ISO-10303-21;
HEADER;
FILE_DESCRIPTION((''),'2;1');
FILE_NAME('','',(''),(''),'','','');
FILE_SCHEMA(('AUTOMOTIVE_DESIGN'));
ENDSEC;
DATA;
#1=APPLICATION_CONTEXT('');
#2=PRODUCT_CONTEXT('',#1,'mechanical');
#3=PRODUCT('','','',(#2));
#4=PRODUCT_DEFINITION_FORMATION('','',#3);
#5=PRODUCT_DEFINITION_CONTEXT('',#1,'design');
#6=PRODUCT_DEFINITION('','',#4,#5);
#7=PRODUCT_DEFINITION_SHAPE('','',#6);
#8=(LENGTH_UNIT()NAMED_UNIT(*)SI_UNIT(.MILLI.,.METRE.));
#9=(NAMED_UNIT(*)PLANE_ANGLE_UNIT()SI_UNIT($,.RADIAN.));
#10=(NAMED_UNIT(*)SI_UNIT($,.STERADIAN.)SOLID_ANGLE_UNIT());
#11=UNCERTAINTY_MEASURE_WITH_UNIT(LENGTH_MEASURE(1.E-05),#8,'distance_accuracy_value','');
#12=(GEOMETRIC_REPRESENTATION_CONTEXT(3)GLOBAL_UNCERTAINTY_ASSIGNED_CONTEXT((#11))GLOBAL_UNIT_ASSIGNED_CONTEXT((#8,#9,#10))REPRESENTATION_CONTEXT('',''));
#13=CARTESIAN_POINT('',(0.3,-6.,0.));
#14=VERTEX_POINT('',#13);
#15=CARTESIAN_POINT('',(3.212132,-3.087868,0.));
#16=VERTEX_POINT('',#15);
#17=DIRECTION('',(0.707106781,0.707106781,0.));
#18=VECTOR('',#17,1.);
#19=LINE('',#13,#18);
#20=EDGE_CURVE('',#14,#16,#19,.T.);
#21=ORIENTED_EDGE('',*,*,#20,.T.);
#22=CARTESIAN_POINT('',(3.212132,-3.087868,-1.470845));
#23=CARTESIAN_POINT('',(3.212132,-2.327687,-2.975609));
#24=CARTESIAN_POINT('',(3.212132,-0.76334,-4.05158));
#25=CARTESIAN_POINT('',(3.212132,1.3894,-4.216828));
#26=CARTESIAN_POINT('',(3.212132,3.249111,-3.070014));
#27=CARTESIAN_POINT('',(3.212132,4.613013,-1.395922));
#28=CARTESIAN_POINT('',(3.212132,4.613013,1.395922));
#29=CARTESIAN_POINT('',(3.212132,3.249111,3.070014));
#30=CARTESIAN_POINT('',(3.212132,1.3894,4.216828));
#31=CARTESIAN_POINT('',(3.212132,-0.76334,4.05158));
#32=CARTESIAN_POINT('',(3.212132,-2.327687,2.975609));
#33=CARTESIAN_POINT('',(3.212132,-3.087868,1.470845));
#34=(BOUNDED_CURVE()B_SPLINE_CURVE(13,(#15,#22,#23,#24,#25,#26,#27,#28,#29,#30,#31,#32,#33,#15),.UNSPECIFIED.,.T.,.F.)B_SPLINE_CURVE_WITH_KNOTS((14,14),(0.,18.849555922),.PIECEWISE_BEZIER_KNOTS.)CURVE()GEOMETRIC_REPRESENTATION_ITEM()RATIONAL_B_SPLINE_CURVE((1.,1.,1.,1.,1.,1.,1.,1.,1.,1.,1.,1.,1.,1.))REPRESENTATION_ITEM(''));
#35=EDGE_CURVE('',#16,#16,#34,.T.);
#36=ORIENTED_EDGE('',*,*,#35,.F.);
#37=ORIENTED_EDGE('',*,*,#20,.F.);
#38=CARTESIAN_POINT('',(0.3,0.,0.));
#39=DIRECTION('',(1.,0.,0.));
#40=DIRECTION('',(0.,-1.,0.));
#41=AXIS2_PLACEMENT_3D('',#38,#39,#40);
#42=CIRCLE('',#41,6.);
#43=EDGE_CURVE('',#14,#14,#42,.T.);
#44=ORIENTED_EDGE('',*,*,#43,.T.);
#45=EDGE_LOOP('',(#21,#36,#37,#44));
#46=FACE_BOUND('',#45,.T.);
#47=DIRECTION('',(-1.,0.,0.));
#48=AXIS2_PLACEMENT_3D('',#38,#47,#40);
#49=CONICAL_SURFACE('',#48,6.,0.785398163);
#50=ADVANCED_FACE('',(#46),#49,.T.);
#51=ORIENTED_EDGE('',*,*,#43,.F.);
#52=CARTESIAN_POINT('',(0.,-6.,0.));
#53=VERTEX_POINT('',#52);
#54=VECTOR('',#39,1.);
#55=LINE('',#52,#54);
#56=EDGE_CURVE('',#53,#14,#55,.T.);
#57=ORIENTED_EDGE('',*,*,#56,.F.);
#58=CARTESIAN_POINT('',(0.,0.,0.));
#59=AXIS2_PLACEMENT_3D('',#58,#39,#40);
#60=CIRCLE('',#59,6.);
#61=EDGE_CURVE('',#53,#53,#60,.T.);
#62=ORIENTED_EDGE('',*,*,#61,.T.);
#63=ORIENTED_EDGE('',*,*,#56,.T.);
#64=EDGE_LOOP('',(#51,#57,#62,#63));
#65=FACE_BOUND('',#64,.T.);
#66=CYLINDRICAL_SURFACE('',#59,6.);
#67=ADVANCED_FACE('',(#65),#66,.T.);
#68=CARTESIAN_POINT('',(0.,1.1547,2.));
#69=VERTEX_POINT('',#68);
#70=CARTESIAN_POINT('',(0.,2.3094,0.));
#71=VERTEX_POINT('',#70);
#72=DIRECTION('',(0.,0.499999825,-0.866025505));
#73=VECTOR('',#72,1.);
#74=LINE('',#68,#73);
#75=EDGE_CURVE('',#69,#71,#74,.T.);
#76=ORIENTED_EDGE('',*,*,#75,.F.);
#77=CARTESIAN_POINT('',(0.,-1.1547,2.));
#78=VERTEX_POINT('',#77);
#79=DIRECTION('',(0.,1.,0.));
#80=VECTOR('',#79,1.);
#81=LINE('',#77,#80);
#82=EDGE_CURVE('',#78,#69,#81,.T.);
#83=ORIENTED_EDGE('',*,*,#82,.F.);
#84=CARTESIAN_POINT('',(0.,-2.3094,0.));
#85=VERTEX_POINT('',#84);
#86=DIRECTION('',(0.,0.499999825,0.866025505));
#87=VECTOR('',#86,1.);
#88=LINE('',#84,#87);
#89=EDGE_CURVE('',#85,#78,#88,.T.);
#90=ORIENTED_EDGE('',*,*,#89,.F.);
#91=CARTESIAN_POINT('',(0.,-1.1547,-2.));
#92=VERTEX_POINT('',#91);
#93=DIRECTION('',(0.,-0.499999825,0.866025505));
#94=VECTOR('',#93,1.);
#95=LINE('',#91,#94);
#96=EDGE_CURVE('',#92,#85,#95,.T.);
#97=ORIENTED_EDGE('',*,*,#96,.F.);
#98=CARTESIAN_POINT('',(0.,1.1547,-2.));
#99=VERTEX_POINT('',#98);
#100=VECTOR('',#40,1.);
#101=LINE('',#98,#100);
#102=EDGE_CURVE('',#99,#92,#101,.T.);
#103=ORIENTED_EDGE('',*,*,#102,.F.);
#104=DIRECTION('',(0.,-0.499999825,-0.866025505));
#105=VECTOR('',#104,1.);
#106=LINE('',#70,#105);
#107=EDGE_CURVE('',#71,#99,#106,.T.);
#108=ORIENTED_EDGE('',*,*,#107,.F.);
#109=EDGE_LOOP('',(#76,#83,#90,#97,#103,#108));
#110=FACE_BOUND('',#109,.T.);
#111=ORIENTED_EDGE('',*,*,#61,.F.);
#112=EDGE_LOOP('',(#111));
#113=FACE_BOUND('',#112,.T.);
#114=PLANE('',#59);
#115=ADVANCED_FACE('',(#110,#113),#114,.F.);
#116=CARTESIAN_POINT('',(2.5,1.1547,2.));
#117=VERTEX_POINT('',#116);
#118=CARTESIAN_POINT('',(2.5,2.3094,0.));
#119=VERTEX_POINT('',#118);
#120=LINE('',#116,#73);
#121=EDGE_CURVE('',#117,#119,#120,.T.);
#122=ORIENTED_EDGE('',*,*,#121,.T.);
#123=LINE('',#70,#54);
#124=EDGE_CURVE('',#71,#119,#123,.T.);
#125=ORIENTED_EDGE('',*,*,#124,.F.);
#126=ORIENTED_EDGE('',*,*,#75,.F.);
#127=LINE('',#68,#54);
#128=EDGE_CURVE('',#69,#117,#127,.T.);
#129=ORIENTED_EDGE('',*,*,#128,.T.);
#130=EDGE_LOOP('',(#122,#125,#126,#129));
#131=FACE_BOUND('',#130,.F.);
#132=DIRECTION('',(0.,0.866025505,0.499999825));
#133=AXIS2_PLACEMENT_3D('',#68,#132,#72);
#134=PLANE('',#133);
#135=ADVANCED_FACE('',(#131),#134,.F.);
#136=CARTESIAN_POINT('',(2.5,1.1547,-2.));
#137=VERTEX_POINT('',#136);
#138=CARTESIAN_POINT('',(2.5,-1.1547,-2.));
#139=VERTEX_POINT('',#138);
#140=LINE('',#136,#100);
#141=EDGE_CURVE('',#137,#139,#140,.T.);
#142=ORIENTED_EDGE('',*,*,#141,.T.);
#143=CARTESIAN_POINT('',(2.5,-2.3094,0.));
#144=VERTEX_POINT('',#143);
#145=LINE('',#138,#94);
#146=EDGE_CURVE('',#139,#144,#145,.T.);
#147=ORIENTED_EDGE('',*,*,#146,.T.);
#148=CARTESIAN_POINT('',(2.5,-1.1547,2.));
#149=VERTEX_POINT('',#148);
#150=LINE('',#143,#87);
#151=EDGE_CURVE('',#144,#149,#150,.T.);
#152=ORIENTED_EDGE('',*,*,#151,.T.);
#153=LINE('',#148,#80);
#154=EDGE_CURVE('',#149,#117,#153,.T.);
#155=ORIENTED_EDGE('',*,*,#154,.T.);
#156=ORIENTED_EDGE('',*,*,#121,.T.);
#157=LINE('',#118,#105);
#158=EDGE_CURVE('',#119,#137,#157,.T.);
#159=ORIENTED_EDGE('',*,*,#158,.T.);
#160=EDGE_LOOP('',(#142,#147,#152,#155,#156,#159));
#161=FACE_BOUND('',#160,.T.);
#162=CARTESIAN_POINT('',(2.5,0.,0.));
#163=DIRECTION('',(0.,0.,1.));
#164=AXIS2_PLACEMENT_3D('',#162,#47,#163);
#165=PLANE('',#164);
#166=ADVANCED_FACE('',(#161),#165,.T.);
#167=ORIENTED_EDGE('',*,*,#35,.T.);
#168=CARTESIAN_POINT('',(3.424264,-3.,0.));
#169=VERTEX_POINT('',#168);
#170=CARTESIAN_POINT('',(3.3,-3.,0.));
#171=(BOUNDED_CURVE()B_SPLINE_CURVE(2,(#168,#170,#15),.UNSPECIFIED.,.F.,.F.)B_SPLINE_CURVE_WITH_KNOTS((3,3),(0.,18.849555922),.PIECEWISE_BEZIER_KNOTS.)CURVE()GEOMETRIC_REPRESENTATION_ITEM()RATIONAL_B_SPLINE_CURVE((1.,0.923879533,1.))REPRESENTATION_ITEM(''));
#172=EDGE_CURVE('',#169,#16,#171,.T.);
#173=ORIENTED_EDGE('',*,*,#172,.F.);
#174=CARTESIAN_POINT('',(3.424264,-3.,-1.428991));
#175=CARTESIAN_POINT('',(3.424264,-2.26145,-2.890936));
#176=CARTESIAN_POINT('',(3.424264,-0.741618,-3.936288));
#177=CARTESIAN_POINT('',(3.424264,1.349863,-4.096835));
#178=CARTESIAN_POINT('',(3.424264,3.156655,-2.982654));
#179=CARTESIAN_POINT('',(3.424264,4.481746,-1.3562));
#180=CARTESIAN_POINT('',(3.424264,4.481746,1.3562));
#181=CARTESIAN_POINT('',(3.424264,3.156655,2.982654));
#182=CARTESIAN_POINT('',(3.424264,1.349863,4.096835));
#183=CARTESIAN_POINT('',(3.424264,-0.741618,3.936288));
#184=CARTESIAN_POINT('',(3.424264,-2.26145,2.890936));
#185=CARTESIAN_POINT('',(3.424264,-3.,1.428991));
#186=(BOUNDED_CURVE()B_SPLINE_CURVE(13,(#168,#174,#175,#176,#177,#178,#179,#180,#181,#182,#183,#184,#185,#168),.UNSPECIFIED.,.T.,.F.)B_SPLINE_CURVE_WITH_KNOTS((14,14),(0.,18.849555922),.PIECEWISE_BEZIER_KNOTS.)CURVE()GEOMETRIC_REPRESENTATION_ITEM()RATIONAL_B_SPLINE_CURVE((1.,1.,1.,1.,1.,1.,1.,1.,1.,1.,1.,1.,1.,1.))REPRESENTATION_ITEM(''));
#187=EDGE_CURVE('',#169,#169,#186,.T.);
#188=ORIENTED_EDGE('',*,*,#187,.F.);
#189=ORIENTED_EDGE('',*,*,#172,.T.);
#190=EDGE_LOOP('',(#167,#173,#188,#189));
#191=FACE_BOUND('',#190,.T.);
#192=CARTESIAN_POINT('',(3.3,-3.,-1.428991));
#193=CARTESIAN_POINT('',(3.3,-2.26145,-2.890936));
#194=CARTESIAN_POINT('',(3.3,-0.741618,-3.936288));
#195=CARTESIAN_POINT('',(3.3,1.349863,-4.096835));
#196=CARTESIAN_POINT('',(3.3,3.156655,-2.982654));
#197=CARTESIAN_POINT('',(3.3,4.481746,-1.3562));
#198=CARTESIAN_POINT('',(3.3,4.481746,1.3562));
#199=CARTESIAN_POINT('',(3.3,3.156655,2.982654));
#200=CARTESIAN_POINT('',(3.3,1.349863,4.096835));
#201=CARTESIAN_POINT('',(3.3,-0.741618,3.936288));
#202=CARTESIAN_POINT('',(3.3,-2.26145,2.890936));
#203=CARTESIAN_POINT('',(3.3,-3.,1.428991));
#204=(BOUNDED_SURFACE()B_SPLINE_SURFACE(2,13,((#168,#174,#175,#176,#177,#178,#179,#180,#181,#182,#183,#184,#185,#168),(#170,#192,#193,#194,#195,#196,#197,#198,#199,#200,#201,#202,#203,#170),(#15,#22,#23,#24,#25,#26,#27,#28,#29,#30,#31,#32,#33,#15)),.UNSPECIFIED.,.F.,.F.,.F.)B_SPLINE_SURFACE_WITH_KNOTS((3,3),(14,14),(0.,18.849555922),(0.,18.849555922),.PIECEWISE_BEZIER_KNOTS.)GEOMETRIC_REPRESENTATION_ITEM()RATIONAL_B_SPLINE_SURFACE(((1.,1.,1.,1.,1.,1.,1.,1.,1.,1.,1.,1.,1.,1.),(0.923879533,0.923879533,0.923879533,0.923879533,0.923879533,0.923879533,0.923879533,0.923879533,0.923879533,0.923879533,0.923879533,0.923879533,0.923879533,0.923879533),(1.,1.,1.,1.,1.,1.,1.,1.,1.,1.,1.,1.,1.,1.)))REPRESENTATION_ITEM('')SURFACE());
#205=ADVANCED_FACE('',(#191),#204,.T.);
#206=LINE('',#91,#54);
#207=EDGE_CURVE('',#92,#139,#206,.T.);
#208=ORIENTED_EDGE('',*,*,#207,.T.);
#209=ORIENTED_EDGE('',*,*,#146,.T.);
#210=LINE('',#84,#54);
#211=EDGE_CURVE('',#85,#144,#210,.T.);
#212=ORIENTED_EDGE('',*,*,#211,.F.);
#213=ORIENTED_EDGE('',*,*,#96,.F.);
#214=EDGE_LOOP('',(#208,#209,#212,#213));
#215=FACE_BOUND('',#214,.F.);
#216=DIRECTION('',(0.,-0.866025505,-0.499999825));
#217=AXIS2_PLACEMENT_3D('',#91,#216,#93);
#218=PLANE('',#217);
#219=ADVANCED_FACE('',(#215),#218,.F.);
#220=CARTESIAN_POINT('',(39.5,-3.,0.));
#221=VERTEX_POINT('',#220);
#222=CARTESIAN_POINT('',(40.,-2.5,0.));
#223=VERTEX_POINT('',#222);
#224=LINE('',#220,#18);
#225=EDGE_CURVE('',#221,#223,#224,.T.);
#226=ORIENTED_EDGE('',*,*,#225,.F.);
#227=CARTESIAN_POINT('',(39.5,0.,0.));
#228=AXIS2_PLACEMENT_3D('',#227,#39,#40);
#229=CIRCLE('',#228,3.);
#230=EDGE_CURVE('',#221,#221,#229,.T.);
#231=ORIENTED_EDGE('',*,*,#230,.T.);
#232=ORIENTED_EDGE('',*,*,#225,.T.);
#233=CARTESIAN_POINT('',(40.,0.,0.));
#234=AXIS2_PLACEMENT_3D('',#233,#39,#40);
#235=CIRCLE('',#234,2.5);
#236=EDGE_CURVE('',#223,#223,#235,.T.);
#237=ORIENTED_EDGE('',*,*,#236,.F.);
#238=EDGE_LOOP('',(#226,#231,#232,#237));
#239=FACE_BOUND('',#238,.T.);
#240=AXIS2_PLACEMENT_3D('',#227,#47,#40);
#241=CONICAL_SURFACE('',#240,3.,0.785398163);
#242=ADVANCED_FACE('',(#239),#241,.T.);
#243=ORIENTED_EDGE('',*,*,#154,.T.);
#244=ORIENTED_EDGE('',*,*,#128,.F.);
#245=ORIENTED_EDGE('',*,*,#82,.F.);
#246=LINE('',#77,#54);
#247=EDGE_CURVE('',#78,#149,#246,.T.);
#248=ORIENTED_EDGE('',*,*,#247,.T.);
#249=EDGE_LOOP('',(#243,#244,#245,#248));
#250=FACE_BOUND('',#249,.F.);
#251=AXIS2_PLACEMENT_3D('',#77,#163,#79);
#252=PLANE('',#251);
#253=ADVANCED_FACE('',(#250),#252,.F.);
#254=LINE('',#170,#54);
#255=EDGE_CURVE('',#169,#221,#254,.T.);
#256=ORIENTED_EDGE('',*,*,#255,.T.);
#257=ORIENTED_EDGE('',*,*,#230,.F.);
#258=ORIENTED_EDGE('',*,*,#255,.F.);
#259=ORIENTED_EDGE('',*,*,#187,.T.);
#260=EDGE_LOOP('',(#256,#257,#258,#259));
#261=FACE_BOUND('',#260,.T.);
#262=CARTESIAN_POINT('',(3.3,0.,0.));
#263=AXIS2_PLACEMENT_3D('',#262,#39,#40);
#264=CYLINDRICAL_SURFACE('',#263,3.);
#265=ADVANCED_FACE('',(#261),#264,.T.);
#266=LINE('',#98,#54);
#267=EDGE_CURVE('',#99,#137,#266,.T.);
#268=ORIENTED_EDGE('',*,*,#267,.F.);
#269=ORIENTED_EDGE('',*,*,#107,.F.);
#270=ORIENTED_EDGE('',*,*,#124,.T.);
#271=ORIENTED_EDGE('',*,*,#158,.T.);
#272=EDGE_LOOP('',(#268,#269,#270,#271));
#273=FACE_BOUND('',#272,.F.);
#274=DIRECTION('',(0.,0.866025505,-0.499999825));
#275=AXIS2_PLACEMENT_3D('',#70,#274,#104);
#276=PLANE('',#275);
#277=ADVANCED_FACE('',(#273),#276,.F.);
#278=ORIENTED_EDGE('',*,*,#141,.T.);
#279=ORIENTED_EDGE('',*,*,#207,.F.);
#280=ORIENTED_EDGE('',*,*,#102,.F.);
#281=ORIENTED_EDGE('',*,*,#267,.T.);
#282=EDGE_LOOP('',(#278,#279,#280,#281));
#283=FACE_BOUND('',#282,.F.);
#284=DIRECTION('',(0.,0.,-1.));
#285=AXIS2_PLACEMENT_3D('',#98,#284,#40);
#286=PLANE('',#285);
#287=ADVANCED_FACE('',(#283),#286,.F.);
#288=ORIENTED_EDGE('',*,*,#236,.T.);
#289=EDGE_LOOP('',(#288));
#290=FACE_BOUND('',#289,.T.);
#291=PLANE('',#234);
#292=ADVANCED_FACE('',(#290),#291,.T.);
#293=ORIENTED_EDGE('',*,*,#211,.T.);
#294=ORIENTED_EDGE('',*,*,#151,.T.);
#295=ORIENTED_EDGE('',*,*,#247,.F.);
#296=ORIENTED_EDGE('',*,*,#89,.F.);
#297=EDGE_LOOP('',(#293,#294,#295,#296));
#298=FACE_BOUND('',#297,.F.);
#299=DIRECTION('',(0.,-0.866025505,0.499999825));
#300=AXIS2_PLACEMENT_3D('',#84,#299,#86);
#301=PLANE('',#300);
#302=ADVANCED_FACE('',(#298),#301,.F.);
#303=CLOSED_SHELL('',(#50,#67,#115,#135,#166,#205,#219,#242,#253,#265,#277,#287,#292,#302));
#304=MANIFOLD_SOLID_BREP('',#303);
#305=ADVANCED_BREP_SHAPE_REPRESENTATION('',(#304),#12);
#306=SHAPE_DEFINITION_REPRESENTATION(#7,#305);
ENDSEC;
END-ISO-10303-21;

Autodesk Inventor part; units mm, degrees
ref_plane "YZ Plane" through (0, 0, 0) normal (1, 0, 0) x (0, 1, 0)
sketch "Skizze1" plane through (0, 0, 0) normal (0, 1, 0) x (-1, 0, 0)
  point P0 (0, 0)
sketch "Skizze2" plane through (0, 0, 0) normal (0, 0, 1) x (-1, 0, 0)
  line L0 (-40, 3) -> (-40, 0)
  line L1 (-3.3, 3) -> (-40, 3)
  line L2 (-0.3, 6) -> (-3.3, 3)
  line L3 (0, 6) -> (-0.3, 6)
  line L4 (0, 0) -> (0, 6)
  line L5 (-40, 0) -> (0, 0)
  line L6 (-40, 0) -> (0, 0)
  line L7 (0, -9.6) -> (0, 1.6) projected
  line L8 (8, 0) -> (-48, 0) projected
  dimension "ParC" = 0.3
  dimension "d43" = 45
  dimension "d44" = 6
  dimension "d45" = 3
  dimension "d46" = 40
  dimension "d47" = 0
  dimension "d48" = 0
revolve "Drehung1" add sketch "Skizze2" angle 360 about axis through (40, 0, 0) along (1, 0, 0)
sketch "Skizze3" plane through (0, 0, 0) normal (-1, 0, 0) x (0, 0, 1)
  line L0 (-2, 1.1547) -> (-2, -1.1547)
  line L1 (0, 2.3094) -> (-2, 1.1547)
  line L2 (2, 1.1547) -> (0, 2.3094)
  line L3 (2, -1.1547) -> (2, 1.1547)
  line L4 (0, -2.3094) -> (2, -1.1547)
  line L5 (-2, -1.1547) -> (0, -2.3094)
  circle A0 centre (0, 0) radius 2 construction
  circle A1 centre (0, 0) radius 3 construction
  dimension "d11" = 4
  dimension "d13" = 120
  dimension "d15" = 120
extrude "Extrusion1" cut sketch "Skizze3" against normal blind 2.5
fillet "Rundung1" radius 0.3 1 edges at (3.3, 3, 0)
chamfer "Fase1" distance 0.5 angle 45 1 edges at (40, 3, 0) measured on face at (27.8081, -2.4612, -1.7154)
thread "Gewinde1" size "M6x1" class "6g" standard "ISO Metric profile" length 18
ref_plane "MSC_PF1" through (0, 0, 0) normal (1, 0, 0) x (0, 1, 0)
ref_plane "MSC_PT1" through (0, 0, 0) normal (1, 0, 0) x (0, 1, 0)
equation "\"d43\" = 0.5 * ang"
equation "\"d44\" = 0.5 * dk"
equation "\"d45\" = 0.5 * NND"
equation "\"d46\" = NLG"
equation "\"d11\" = ParS"
equation "\"d16\" = ParT"
equation "\"d18\" = r"
equation "\"d19\" = 0.5 * PTC"
equation "\"d39\" = 0.5 * PTC"
equation "\"NND\" = 6"
equation "\"PTC\" = 1"
equation "\"dk\" = 12"
equation "\"ParK\" = 3.3"
equation "\"ParS\" = 4"
equation "\"ParT\" = 2.5"
equation "\"r\" = 0.3"
equation "\"NLG\" = 40"
equation "\"ang\" = 90deg"
equation "\"THREADDIA\" = NND"
properties part number "ISO 10642 - M6 x  40" material "Stahl"
